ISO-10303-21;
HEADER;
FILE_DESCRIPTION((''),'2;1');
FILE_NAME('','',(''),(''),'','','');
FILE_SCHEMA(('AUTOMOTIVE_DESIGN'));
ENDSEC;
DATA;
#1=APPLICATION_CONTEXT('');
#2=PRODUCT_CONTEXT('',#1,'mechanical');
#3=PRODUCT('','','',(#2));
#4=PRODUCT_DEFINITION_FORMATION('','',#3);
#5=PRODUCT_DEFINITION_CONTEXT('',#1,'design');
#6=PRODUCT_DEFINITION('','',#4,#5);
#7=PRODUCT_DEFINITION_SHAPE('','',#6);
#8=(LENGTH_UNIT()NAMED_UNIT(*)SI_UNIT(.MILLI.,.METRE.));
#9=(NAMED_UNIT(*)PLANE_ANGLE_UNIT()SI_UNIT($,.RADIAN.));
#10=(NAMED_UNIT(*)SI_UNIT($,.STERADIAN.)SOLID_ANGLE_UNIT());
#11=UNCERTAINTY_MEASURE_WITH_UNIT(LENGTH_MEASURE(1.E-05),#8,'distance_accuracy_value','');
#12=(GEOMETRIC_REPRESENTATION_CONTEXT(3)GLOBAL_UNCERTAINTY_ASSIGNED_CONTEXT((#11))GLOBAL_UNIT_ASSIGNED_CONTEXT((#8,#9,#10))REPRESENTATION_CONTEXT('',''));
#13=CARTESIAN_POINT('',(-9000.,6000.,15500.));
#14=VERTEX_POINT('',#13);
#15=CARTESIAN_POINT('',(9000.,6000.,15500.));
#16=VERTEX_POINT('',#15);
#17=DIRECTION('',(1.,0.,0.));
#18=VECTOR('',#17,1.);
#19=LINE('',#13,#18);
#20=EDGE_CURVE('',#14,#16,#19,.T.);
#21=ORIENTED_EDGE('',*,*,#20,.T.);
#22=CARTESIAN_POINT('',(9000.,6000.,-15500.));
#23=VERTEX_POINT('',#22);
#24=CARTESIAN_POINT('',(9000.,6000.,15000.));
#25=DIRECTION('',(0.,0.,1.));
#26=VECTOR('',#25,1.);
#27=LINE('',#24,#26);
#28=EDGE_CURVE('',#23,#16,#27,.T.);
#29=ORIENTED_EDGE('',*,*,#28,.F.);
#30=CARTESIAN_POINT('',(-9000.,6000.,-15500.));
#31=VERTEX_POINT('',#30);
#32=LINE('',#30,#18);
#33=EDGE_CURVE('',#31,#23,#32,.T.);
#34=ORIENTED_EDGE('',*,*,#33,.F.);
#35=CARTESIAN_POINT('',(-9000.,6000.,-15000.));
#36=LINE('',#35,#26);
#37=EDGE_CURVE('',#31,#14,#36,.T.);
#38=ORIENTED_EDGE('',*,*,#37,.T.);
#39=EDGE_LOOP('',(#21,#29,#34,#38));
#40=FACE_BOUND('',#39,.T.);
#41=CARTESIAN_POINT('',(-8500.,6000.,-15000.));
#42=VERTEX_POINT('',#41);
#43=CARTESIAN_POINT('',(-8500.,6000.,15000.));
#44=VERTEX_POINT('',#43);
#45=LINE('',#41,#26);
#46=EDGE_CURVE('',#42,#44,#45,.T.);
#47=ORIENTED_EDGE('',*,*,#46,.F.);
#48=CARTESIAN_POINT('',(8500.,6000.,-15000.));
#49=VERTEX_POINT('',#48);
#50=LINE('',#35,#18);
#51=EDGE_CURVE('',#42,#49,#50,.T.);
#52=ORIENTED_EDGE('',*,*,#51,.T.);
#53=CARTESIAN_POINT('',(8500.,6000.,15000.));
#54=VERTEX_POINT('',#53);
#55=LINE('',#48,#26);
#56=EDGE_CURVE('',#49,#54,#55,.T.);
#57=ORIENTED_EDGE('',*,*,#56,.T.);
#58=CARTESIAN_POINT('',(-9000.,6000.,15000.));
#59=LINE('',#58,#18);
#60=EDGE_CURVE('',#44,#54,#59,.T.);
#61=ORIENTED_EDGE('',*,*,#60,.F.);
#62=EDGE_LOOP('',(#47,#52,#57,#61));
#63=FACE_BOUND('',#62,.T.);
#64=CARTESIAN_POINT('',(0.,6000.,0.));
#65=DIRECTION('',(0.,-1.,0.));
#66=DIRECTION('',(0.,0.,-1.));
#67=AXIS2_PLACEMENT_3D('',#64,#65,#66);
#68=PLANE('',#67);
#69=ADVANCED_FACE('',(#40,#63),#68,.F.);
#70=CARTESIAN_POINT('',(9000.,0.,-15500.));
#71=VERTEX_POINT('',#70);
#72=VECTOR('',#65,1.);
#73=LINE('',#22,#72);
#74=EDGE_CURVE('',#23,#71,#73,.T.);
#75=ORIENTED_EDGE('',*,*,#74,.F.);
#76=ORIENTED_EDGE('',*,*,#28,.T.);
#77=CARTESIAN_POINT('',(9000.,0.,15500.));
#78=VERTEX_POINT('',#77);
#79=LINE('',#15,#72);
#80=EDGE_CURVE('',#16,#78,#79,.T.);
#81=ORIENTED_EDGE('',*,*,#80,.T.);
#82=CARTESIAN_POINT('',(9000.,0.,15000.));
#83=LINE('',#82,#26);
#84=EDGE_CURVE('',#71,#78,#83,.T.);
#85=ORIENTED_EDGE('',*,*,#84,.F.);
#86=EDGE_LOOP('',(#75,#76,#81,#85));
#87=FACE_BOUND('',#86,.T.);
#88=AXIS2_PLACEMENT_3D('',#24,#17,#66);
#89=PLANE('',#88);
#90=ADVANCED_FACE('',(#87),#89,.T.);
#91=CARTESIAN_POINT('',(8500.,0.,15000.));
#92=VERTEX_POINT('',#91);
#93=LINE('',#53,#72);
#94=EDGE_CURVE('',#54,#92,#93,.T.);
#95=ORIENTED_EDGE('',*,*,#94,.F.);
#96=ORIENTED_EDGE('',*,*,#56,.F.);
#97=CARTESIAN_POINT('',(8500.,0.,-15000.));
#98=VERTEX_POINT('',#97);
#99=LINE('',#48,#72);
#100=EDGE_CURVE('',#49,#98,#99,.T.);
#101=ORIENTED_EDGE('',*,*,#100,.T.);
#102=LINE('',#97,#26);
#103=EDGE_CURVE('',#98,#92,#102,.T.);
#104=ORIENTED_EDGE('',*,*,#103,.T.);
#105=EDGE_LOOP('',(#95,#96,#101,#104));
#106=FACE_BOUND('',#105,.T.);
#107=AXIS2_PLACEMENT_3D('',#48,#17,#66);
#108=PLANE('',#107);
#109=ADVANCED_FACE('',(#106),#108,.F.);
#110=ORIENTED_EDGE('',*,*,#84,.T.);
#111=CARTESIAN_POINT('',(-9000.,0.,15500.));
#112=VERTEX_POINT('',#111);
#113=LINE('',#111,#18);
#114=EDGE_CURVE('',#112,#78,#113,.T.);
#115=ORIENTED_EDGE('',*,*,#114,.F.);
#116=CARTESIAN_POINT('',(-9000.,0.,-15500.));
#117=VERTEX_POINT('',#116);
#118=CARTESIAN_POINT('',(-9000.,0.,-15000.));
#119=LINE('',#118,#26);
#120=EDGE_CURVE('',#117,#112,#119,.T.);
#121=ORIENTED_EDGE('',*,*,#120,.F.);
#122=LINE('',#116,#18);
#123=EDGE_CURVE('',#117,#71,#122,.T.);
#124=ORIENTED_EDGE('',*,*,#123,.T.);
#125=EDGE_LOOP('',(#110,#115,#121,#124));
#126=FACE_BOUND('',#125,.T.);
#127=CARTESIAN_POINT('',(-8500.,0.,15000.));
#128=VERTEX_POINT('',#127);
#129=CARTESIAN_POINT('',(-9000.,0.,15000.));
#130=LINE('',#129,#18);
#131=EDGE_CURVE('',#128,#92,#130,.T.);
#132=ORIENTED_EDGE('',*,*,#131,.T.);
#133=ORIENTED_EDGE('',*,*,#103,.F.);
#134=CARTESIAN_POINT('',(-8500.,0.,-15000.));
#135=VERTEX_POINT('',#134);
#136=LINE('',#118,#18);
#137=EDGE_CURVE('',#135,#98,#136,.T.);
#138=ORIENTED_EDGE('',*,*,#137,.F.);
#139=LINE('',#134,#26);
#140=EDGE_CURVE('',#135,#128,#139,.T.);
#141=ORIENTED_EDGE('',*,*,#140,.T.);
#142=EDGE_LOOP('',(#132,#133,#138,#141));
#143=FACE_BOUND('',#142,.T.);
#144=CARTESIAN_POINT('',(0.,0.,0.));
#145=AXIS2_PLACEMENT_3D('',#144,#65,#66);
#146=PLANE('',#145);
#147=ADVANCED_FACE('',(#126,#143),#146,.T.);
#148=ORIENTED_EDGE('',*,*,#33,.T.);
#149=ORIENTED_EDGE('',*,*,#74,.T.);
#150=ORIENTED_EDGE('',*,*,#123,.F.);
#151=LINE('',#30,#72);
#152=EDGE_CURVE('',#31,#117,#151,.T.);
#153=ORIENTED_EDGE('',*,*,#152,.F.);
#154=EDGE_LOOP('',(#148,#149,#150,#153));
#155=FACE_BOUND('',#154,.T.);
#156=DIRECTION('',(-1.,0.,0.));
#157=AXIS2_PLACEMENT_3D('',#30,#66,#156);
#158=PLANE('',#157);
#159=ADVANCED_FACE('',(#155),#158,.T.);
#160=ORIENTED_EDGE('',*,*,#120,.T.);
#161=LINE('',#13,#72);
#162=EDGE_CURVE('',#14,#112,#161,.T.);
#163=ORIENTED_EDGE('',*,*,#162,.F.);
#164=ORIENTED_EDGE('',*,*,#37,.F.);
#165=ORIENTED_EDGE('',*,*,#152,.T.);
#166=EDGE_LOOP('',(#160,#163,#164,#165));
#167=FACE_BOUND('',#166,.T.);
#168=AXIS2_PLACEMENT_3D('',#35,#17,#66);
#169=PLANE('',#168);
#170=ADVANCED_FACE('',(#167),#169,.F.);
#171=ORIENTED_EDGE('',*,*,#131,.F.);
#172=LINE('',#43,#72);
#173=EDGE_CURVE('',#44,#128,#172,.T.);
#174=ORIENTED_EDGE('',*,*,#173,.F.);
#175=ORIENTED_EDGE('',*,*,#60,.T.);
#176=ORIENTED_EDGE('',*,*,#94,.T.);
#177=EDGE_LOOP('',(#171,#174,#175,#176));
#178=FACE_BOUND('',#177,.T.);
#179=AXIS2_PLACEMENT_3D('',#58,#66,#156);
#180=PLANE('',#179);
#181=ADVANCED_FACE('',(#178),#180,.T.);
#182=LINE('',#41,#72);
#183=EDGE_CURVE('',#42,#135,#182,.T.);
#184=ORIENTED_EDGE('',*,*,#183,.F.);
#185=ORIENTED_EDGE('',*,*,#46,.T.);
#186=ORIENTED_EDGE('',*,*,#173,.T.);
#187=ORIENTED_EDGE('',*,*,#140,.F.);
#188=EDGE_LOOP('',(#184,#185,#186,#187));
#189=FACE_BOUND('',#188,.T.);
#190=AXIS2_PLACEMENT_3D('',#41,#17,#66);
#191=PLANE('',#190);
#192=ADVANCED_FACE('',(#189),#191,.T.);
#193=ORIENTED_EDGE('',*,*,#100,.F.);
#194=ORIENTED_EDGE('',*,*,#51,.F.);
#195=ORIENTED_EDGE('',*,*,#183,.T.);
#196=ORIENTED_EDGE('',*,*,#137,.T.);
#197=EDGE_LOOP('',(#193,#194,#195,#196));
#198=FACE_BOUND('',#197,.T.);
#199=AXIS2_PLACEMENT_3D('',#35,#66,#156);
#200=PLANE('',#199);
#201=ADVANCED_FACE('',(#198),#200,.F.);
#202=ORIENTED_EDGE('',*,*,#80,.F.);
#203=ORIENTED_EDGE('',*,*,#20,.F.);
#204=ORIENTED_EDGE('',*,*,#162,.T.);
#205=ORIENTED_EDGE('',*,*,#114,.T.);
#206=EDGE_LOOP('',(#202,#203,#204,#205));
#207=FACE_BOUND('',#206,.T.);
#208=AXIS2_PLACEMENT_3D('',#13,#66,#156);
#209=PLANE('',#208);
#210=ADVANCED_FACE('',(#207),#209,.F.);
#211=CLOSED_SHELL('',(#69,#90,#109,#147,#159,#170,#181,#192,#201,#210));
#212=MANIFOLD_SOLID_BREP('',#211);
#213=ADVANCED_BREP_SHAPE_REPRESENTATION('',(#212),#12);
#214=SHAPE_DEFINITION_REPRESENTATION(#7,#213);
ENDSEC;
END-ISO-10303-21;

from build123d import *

# Parameters (mm, degrees)
SKETCH1_W           = 18000
SKETCH1_H           = 31000
SKETCH1_W_2         = 17000
SKETCH1_H_2         = 30000
BOSS_EXTRUDE2_DEPTH = 6000


with BuildPart() as part:
    # Sketch1 → Boss-Extrude2 (new body)
    with BuildSketch(Plane(origin=(0, 0, 0), x_dir=(1, 0, 0), z_dir=(0, 1, 0))):
        Rectangle(SKETCH1_W, SKETCH1_H)
        Rectangle(SKETCH1_W_2, SKETCH1_H_2, mode=Mode.SUBTRACT)
    extrude(amount=BOSS_EXTRUDE2_DEPTH)


solid = part.part
